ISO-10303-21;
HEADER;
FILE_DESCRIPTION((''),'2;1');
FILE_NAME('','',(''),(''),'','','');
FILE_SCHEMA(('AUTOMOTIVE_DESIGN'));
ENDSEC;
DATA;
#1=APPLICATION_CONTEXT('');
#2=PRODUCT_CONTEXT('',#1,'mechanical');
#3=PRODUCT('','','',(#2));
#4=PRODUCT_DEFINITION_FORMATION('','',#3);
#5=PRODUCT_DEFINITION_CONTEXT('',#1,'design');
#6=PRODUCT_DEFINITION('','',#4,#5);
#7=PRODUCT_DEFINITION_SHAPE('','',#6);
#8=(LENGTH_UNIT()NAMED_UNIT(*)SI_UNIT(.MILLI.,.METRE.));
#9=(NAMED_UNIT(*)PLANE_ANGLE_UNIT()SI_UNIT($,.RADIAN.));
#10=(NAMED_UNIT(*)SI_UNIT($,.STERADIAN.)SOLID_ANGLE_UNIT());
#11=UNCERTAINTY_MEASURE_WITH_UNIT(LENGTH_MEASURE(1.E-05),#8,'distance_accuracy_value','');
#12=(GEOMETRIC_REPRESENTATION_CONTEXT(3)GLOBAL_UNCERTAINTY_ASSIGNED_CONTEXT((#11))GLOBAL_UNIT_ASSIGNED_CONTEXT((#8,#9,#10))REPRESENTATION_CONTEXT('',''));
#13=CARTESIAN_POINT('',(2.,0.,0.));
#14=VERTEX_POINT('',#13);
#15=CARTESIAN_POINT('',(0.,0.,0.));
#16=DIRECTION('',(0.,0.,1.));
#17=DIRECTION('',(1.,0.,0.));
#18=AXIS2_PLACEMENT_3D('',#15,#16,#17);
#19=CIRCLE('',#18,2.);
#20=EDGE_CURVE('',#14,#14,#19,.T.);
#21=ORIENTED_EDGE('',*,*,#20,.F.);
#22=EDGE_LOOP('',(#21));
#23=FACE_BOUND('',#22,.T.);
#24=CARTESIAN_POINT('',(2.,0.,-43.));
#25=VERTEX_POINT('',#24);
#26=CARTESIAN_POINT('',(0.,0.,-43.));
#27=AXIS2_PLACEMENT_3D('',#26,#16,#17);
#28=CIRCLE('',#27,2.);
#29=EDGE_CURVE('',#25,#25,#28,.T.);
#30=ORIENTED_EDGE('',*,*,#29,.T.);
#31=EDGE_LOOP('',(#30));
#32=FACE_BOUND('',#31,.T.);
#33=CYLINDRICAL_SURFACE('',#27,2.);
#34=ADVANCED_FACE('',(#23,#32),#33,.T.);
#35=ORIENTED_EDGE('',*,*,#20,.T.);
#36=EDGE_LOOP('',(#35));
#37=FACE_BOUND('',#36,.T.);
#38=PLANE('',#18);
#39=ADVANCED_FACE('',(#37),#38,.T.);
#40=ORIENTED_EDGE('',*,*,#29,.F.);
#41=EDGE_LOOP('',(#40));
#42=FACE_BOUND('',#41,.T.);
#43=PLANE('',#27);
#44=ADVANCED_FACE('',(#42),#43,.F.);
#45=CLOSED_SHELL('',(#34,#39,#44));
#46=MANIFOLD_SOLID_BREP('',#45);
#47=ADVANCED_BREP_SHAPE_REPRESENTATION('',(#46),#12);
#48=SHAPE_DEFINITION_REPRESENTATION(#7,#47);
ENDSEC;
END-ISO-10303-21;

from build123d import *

# Parameters (mm, degrees)
SKETCH1_R           = 2
BOSS_EXTRUDE1_DEPTH = 43


with BuildPart() as part:
    # Sketch1 → Boss-Extrude1 (new body)
    with BuildSketch(Plane.XY):
        Circle(SKETCH1_R)
    extrude(amount=-BOSS_EXTRUDE1_DEPTH)


solid = part.part
